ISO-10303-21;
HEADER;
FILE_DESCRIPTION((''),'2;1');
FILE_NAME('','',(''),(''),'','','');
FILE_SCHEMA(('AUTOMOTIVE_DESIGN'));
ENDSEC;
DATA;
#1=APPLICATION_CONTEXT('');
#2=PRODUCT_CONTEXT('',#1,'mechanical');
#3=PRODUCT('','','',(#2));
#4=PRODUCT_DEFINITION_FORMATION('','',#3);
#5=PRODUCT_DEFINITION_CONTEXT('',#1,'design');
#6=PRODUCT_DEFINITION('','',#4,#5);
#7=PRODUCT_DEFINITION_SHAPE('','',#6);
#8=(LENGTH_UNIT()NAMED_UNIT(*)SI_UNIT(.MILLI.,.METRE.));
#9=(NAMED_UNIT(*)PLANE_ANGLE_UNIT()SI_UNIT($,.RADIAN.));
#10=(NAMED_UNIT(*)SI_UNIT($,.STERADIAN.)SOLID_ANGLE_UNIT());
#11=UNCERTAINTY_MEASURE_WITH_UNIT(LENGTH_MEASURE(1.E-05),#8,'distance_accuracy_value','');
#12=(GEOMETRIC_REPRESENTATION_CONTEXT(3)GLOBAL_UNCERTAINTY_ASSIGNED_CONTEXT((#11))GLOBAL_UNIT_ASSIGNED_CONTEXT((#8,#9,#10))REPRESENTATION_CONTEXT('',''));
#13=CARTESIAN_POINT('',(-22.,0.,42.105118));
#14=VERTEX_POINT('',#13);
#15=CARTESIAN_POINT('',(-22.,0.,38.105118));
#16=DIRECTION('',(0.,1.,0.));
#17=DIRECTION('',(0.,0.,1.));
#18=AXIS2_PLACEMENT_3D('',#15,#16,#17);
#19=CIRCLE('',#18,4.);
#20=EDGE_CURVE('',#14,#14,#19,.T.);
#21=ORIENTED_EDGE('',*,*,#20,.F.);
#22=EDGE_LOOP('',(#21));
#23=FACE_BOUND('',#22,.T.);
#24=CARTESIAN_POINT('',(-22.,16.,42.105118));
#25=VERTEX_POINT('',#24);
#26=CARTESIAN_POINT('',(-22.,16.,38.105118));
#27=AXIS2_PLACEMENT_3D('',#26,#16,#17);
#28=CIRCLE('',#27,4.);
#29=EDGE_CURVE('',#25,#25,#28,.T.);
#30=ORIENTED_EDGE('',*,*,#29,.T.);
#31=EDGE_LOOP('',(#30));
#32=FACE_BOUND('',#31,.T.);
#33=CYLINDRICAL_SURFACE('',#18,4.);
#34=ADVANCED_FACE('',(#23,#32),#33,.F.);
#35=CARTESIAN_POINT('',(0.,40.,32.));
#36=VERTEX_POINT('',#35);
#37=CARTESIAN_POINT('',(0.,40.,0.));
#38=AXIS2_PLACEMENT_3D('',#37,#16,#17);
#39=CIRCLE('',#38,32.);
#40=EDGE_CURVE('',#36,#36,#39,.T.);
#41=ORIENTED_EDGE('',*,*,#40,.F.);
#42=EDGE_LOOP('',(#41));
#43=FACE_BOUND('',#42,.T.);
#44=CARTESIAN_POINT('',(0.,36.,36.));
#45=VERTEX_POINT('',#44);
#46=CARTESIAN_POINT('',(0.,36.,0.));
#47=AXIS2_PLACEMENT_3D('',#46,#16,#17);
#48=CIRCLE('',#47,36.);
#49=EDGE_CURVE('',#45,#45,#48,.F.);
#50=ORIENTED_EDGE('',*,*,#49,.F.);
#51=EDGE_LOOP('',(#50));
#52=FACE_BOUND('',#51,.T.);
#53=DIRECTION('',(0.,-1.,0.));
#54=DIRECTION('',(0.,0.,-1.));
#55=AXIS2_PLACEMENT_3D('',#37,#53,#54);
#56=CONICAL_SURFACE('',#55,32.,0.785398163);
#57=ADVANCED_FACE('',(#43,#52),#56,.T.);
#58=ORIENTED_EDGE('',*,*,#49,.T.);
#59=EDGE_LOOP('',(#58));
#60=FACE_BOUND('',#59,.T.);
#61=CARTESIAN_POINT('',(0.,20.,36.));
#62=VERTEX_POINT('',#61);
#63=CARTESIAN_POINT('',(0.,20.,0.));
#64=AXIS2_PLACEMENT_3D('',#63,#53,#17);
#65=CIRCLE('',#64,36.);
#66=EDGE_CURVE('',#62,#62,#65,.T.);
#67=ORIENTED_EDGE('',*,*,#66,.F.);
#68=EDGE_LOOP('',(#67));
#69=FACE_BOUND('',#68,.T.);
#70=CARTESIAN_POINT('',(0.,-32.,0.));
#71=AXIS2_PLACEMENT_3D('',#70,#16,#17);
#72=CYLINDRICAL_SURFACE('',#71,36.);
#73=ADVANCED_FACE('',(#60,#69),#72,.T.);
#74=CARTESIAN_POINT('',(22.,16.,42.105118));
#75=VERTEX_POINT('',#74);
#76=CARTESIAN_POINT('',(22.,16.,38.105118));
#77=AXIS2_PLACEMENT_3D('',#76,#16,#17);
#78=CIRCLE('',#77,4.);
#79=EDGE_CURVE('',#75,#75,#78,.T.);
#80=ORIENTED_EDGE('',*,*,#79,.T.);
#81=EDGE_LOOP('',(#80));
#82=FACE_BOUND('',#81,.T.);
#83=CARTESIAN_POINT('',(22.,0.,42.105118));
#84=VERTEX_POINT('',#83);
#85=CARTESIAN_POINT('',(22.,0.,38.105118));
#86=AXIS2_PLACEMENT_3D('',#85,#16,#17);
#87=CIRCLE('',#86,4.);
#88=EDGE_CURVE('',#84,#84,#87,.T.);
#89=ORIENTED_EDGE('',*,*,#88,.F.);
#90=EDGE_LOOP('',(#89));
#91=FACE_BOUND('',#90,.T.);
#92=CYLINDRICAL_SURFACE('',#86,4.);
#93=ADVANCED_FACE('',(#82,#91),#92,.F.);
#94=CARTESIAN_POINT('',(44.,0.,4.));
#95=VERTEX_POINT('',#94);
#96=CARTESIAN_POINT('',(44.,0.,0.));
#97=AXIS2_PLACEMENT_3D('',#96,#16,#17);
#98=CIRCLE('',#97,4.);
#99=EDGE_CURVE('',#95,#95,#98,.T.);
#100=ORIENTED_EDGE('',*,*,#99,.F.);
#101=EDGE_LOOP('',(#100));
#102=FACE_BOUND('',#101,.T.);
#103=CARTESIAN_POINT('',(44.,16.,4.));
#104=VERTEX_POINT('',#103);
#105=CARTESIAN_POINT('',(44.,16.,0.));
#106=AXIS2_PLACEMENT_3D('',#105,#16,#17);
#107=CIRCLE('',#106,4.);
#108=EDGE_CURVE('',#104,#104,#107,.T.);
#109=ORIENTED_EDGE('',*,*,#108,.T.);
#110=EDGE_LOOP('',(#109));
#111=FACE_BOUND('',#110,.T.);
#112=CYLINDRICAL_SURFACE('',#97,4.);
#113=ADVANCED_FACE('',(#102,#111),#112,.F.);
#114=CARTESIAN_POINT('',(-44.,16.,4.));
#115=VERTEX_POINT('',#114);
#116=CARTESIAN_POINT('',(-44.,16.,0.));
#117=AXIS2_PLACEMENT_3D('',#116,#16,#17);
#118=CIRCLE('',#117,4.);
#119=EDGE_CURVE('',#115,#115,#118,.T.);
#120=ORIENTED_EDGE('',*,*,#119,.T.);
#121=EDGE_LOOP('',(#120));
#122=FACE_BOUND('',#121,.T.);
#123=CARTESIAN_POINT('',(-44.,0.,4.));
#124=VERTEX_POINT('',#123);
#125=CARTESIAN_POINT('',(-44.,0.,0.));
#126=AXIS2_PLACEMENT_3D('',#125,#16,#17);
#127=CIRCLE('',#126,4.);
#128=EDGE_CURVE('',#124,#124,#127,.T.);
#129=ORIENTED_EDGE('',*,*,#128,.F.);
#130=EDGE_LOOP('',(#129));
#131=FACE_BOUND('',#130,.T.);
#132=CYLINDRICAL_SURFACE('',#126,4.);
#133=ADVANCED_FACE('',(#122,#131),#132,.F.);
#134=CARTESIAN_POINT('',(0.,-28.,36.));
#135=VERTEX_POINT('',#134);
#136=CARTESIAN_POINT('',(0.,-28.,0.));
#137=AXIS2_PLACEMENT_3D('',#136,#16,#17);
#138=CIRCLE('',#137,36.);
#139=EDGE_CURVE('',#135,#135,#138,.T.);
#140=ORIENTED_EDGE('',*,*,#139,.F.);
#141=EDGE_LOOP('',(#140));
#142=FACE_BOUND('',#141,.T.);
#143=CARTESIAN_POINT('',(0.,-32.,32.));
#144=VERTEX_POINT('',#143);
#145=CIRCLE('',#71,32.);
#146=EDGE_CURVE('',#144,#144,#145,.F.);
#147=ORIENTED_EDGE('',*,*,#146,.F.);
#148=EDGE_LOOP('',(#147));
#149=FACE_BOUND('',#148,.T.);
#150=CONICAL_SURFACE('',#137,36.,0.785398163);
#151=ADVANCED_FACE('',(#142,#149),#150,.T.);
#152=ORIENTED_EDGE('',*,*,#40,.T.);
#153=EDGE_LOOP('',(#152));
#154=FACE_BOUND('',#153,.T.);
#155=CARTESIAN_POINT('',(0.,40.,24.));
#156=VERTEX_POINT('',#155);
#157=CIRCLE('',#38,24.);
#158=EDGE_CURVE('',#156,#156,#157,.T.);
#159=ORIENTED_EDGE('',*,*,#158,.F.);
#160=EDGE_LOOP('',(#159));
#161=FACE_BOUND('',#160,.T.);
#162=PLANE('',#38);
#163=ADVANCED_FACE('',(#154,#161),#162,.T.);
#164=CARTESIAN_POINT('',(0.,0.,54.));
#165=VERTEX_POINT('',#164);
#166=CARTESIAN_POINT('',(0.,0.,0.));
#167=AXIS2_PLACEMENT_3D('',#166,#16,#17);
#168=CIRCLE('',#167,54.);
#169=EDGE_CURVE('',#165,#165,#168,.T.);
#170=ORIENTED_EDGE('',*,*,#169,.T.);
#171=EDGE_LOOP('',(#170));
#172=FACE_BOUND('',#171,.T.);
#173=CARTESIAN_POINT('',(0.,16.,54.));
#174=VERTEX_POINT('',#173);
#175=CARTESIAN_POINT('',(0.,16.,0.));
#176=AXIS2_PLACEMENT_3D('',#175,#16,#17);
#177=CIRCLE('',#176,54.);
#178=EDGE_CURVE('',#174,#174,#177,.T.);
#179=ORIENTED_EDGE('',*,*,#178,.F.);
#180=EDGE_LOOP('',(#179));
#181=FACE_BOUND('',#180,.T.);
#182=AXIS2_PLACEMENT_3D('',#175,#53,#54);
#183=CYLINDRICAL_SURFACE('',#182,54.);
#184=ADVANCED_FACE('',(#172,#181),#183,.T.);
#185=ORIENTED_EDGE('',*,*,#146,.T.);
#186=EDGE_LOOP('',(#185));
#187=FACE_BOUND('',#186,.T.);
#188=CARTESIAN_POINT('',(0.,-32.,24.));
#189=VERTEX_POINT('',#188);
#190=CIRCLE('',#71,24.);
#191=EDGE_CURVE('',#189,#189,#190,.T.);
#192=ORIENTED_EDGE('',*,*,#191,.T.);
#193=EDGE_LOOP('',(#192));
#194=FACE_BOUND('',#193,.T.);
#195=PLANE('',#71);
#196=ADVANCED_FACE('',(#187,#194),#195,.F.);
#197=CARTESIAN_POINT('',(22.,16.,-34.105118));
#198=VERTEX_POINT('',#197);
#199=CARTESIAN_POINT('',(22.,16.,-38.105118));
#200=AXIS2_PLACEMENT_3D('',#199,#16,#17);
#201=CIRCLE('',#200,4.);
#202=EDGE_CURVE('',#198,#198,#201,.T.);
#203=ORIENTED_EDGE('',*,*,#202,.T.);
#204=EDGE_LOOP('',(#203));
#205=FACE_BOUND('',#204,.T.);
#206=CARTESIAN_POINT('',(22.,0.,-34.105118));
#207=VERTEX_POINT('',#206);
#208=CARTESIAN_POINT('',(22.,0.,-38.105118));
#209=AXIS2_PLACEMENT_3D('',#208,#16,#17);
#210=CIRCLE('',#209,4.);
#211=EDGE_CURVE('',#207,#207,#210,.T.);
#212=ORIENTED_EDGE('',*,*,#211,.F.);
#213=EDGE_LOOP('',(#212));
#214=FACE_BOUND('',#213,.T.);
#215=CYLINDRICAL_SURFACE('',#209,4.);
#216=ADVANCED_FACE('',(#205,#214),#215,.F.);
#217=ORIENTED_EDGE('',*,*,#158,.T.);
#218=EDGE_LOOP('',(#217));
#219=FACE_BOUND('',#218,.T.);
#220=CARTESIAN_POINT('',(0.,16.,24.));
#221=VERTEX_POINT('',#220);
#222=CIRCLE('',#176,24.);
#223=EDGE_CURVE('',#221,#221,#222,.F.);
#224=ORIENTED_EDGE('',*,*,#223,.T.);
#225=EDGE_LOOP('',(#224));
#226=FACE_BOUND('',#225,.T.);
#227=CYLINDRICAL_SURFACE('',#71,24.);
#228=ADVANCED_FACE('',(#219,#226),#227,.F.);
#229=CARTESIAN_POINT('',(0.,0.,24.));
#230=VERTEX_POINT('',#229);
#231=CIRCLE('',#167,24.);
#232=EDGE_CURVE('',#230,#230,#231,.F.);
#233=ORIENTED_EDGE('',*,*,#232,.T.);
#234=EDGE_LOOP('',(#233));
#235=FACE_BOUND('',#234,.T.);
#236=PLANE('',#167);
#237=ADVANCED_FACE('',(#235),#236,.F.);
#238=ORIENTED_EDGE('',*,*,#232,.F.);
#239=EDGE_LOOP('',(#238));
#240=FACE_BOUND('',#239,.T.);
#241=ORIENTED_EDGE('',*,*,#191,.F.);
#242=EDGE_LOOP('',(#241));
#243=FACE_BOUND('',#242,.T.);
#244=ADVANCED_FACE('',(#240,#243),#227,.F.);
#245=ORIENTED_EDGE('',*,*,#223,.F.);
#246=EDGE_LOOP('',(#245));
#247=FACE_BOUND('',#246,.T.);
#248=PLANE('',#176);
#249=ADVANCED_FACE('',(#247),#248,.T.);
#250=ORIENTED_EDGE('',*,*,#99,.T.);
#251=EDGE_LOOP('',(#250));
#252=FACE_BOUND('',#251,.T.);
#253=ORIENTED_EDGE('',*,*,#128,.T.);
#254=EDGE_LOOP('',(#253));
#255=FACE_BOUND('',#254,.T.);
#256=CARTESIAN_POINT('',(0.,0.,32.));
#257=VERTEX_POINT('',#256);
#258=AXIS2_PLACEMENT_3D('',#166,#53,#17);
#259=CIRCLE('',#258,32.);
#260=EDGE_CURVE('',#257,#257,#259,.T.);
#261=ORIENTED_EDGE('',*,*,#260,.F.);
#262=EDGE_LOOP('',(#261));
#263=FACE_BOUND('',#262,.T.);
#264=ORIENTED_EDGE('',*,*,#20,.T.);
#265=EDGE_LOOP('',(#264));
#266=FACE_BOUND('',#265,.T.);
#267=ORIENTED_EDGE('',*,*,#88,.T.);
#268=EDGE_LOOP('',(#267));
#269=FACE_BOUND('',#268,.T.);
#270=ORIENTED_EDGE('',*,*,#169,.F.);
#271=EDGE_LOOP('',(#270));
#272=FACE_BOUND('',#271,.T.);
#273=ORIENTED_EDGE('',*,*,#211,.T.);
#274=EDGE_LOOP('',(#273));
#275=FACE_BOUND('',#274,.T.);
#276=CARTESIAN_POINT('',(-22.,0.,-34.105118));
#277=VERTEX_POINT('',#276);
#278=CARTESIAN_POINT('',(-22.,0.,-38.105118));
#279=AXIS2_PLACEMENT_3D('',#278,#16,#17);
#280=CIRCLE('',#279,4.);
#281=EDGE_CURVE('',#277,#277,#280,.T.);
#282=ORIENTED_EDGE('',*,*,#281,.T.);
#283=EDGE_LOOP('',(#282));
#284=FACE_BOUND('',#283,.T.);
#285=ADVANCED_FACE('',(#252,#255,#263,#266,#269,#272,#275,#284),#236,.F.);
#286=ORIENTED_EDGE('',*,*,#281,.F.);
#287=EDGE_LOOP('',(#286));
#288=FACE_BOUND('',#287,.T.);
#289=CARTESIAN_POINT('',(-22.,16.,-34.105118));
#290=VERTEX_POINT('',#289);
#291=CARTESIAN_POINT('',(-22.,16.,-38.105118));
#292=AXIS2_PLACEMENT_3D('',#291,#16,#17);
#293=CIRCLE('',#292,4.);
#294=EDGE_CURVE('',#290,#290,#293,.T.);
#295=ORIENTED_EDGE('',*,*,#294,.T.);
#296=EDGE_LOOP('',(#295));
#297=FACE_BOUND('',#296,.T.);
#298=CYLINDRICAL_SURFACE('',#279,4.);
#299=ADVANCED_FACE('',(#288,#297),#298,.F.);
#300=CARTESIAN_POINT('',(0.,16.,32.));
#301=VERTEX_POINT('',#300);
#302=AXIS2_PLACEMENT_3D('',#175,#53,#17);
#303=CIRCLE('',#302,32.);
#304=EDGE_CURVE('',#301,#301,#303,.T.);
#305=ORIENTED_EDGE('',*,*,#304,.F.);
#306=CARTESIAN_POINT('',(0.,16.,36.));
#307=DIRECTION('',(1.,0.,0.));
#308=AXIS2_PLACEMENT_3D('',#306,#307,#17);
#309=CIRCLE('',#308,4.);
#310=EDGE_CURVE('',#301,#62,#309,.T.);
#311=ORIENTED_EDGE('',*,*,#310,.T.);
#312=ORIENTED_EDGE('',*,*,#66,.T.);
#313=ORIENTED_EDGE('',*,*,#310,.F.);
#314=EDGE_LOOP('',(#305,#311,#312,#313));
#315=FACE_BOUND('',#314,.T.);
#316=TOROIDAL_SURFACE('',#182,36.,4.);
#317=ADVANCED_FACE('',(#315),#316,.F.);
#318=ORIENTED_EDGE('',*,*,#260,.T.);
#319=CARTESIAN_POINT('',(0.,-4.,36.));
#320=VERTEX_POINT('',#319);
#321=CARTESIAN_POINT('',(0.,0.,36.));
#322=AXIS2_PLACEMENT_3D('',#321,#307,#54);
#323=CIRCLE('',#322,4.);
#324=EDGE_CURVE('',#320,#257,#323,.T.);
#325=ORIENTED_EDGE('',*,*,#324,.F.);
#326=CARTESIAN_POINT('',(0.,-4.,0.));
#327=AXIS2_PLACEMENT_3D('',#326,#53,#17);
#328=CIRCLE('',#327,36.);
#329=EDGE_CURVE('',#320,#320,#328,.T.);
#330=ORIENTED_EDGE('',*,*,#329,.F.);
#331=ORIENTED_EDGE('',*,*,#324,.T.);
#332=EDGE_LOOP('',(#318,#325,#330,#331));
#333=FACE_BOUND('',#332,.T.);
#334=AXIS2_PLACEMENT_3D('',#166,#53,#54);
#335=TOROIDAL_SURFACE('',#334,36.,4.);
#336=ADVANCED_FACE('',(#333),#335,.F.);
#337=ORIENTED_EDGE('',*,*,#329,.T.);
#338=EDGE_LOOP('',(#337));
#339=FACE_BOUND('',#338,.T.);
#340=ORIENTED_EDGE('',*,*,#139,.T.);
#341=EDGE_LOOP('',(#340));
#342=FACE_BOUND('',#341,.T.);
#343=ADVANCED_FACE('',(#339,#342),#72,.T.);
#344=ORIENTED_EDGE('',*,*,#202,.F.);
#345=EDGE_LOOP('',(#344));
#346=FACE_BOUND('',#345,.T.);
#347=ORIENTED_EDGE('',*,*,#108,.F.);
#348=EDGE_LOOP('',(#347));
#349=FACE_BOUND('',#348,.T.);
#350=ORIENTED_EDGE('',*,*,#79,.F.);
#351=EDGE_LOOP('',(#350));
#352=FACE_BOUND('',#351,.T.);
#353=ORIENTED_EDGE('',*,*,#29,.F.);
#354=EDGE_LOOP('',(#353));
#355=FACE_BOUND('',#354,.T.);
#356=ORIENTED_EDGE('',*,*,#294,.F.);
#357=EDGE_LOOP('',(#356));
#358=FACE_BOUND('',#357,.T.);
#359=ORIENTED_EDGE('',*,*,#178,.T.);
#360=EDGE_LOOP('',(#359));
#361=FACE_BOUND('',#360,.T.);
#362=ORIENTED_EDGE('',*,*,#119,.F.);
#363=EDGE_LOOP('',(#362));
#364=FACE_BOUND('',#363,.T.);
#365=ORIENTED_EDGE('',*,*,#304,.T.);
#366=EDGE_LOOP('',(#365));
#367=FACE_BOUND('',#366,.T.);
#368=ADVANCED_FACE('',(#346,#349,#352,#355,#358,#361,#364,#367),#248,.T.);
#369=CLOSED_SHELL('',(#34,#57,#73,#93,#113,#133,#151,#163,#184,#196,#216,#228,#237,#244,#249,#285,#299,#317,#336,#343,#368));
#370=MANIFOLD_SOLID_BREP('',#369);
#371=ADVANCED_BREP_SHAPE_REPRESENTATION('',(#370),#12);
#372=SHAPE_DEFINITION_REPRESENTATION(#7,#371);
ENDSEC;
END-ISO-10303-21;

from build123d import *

# Parameters (mm, degrees)
Y_KSEKLIK_EKSTR_ZYON1_DEPTH      = 40
Y_KSEKLIK_EKSTR_ZYON1_DEPTH_BACK = 32
IZIM1_R                          = 36
IZIM1_R_2                        = 24
IZIM1_3_R                        = 54
Y_KSEKLIK_EKSTR_ZYON2_DEPTH      = 16
PAH1_SIZE                        = 4
PAH3_SIZE                        = 4
IZIM6_R                          = 4
KES_EKSTR_ZYON1_DEPTH            = 16


with BuildPart() as part:
    # Çizim1 → Yükseklik-Ekstrüzyon1 (new, two sides: drawn at the far end of the back side and taken through both)
    with BuildSketch(Plane(origin=(0, 0, 0), x_dir=(1, 0, 0), z_dir=(0, 1, 0)).offset(-Y_KSEKLIK_EKSTR_ZYON1_DEPTH_BACK)):
        Circle(IZIM1_R)
        Circle(IZIM1_R_2, mode=Mode.SUBTRACT)
    extrude(amount=Y_KSEKLIK_EKSTR_ZYON1_DEPTH + Y_KSEKLIK_EKSTR_ZYON1_DEPTH_BACK)

    # Çizim1<3> → Yükseklik-Ekstrüzyon2 (add)
    with BuildSketch(Plane(origin=(0, 0, 0), x_dir=(1, 0, 0), z_dir=(0, 1, 0))):
        Circle(IZIM1_3_R)
    extrude(amount=Y_KSEKLIK_EKSTR_ZYON2_DEPTH)

    # Pah1
    pah1_edges = [part.edges().sort_by_distance(p)[0] for p in [
        (-36, 40, 0),
    ]]
    chamfer(pah1_edges, length=PAH1_SIZE)

    # Pah3
    pah3_edges = [part.edges().sort_by_distance(p)[0] for p in [
        (-36, -32, 0),
    ]]
    chamfer(pah3_edges, length=PAH3_SIZE)

    # Kes-Süpür1: sweep along a curve in space
    with BuildLine() as kes_s_p_r1_path:
        ThreePointArc((0, 16, 36), (25.455844123, 16, 25.455844123), (36, 16, 0))
        ThreePointArc((36, 16, 0), (25.455844123, 16, -25.455844123), (0, 16, -36))
        ThreePointArc((0, 16, -36), (-25.455844123, 16, -25.455844123), (-36, 16, 0))
        ThreePointArc((-36, 16, 0), (-25.455844123, 16, 25.455844123), (0, 16, 36))
    # Çizim4 → Kes-Süpür1 (sweep, cut)
    with BuildSketch(Plane(origin=(0, 0, 0), x_dir=(0, 0, -1), z_dir=(1, 0, 0))):
        with BuildLine():
            Line((-36, 20), (-36, 16))
            Line((-36, 16), (-32, 16))
            ThreePointArc((-32, 16), (-33.171572875, 18.828427125), (-36, 20))
        make_face()
    sweep(path=kes_s_p_r1_path.line, mode=Mode.SUBTRACT)

    # Kes-Süpür3: sweep along a curve in space
    with BuildLine() as kes_s_p_r3_path:
        ThreePointArc((0, 0, 36), (25.455844123, 0, 25.455844123), (36, 0, 0))
        ThreePointArc((36, 0, 0), (25.455844123, 0, -25.455844123), (0, 0, -36))
        ThreePointArc((0, 0, -36), (-25.455844123, 0, -25.455844123), (-36, 0, 0))
        ThreePointArc((-36, 0, 0), (-25.455844123, 0, 25.455844123), (0, 0, 36))
    # Çizim5 → Kes-Süpür3 (sweep, cut)
    with BuildSketch(Plane(origin=(0, 0, 0), x_dir=(0, 0, -1), z_dir=(1, 0, 0))):
        with BuildLine():
            Line((-36, 0), (-36, -4))
            ThreePointArc((-36, -4), (-33.171572875, -2.828427125), (-32, 0))
            Line((-32, 0), (-36, 0))
        make_face()
    sweep(path=kes_s_p_r3_path.line, mode=Mode.SUBTRACT)

    # Çizim6 → Kes-Ekstrüzyon1 (cut)
    with BuildSketch(Plane(origin=(0, 16, 0), x_dir=(1, 0, 0), z_dir=(0, 1, 0))):
        with Locations((-22, 38.105117767)):
            Circle(IZIM6_R)
        with Locations((22, 38.105117767)):
            Circle(IZIM6_R)
        with Locations((44, 0)):
            Circle(IZIM6_R)
        with Locations((22, -38.105117767)):
            Circle(IZIM6_R)
        with Locations((-22, -38.105117767)):
            Circle(IZIM6_R)
        with Locations((-44, 0)):
            Circle(IZIM6_R)
    extrude(amount=-KES_EKSTR_ZYON1_DEPTH, mode=Mode.SUBTRACT)


solid = part.part
